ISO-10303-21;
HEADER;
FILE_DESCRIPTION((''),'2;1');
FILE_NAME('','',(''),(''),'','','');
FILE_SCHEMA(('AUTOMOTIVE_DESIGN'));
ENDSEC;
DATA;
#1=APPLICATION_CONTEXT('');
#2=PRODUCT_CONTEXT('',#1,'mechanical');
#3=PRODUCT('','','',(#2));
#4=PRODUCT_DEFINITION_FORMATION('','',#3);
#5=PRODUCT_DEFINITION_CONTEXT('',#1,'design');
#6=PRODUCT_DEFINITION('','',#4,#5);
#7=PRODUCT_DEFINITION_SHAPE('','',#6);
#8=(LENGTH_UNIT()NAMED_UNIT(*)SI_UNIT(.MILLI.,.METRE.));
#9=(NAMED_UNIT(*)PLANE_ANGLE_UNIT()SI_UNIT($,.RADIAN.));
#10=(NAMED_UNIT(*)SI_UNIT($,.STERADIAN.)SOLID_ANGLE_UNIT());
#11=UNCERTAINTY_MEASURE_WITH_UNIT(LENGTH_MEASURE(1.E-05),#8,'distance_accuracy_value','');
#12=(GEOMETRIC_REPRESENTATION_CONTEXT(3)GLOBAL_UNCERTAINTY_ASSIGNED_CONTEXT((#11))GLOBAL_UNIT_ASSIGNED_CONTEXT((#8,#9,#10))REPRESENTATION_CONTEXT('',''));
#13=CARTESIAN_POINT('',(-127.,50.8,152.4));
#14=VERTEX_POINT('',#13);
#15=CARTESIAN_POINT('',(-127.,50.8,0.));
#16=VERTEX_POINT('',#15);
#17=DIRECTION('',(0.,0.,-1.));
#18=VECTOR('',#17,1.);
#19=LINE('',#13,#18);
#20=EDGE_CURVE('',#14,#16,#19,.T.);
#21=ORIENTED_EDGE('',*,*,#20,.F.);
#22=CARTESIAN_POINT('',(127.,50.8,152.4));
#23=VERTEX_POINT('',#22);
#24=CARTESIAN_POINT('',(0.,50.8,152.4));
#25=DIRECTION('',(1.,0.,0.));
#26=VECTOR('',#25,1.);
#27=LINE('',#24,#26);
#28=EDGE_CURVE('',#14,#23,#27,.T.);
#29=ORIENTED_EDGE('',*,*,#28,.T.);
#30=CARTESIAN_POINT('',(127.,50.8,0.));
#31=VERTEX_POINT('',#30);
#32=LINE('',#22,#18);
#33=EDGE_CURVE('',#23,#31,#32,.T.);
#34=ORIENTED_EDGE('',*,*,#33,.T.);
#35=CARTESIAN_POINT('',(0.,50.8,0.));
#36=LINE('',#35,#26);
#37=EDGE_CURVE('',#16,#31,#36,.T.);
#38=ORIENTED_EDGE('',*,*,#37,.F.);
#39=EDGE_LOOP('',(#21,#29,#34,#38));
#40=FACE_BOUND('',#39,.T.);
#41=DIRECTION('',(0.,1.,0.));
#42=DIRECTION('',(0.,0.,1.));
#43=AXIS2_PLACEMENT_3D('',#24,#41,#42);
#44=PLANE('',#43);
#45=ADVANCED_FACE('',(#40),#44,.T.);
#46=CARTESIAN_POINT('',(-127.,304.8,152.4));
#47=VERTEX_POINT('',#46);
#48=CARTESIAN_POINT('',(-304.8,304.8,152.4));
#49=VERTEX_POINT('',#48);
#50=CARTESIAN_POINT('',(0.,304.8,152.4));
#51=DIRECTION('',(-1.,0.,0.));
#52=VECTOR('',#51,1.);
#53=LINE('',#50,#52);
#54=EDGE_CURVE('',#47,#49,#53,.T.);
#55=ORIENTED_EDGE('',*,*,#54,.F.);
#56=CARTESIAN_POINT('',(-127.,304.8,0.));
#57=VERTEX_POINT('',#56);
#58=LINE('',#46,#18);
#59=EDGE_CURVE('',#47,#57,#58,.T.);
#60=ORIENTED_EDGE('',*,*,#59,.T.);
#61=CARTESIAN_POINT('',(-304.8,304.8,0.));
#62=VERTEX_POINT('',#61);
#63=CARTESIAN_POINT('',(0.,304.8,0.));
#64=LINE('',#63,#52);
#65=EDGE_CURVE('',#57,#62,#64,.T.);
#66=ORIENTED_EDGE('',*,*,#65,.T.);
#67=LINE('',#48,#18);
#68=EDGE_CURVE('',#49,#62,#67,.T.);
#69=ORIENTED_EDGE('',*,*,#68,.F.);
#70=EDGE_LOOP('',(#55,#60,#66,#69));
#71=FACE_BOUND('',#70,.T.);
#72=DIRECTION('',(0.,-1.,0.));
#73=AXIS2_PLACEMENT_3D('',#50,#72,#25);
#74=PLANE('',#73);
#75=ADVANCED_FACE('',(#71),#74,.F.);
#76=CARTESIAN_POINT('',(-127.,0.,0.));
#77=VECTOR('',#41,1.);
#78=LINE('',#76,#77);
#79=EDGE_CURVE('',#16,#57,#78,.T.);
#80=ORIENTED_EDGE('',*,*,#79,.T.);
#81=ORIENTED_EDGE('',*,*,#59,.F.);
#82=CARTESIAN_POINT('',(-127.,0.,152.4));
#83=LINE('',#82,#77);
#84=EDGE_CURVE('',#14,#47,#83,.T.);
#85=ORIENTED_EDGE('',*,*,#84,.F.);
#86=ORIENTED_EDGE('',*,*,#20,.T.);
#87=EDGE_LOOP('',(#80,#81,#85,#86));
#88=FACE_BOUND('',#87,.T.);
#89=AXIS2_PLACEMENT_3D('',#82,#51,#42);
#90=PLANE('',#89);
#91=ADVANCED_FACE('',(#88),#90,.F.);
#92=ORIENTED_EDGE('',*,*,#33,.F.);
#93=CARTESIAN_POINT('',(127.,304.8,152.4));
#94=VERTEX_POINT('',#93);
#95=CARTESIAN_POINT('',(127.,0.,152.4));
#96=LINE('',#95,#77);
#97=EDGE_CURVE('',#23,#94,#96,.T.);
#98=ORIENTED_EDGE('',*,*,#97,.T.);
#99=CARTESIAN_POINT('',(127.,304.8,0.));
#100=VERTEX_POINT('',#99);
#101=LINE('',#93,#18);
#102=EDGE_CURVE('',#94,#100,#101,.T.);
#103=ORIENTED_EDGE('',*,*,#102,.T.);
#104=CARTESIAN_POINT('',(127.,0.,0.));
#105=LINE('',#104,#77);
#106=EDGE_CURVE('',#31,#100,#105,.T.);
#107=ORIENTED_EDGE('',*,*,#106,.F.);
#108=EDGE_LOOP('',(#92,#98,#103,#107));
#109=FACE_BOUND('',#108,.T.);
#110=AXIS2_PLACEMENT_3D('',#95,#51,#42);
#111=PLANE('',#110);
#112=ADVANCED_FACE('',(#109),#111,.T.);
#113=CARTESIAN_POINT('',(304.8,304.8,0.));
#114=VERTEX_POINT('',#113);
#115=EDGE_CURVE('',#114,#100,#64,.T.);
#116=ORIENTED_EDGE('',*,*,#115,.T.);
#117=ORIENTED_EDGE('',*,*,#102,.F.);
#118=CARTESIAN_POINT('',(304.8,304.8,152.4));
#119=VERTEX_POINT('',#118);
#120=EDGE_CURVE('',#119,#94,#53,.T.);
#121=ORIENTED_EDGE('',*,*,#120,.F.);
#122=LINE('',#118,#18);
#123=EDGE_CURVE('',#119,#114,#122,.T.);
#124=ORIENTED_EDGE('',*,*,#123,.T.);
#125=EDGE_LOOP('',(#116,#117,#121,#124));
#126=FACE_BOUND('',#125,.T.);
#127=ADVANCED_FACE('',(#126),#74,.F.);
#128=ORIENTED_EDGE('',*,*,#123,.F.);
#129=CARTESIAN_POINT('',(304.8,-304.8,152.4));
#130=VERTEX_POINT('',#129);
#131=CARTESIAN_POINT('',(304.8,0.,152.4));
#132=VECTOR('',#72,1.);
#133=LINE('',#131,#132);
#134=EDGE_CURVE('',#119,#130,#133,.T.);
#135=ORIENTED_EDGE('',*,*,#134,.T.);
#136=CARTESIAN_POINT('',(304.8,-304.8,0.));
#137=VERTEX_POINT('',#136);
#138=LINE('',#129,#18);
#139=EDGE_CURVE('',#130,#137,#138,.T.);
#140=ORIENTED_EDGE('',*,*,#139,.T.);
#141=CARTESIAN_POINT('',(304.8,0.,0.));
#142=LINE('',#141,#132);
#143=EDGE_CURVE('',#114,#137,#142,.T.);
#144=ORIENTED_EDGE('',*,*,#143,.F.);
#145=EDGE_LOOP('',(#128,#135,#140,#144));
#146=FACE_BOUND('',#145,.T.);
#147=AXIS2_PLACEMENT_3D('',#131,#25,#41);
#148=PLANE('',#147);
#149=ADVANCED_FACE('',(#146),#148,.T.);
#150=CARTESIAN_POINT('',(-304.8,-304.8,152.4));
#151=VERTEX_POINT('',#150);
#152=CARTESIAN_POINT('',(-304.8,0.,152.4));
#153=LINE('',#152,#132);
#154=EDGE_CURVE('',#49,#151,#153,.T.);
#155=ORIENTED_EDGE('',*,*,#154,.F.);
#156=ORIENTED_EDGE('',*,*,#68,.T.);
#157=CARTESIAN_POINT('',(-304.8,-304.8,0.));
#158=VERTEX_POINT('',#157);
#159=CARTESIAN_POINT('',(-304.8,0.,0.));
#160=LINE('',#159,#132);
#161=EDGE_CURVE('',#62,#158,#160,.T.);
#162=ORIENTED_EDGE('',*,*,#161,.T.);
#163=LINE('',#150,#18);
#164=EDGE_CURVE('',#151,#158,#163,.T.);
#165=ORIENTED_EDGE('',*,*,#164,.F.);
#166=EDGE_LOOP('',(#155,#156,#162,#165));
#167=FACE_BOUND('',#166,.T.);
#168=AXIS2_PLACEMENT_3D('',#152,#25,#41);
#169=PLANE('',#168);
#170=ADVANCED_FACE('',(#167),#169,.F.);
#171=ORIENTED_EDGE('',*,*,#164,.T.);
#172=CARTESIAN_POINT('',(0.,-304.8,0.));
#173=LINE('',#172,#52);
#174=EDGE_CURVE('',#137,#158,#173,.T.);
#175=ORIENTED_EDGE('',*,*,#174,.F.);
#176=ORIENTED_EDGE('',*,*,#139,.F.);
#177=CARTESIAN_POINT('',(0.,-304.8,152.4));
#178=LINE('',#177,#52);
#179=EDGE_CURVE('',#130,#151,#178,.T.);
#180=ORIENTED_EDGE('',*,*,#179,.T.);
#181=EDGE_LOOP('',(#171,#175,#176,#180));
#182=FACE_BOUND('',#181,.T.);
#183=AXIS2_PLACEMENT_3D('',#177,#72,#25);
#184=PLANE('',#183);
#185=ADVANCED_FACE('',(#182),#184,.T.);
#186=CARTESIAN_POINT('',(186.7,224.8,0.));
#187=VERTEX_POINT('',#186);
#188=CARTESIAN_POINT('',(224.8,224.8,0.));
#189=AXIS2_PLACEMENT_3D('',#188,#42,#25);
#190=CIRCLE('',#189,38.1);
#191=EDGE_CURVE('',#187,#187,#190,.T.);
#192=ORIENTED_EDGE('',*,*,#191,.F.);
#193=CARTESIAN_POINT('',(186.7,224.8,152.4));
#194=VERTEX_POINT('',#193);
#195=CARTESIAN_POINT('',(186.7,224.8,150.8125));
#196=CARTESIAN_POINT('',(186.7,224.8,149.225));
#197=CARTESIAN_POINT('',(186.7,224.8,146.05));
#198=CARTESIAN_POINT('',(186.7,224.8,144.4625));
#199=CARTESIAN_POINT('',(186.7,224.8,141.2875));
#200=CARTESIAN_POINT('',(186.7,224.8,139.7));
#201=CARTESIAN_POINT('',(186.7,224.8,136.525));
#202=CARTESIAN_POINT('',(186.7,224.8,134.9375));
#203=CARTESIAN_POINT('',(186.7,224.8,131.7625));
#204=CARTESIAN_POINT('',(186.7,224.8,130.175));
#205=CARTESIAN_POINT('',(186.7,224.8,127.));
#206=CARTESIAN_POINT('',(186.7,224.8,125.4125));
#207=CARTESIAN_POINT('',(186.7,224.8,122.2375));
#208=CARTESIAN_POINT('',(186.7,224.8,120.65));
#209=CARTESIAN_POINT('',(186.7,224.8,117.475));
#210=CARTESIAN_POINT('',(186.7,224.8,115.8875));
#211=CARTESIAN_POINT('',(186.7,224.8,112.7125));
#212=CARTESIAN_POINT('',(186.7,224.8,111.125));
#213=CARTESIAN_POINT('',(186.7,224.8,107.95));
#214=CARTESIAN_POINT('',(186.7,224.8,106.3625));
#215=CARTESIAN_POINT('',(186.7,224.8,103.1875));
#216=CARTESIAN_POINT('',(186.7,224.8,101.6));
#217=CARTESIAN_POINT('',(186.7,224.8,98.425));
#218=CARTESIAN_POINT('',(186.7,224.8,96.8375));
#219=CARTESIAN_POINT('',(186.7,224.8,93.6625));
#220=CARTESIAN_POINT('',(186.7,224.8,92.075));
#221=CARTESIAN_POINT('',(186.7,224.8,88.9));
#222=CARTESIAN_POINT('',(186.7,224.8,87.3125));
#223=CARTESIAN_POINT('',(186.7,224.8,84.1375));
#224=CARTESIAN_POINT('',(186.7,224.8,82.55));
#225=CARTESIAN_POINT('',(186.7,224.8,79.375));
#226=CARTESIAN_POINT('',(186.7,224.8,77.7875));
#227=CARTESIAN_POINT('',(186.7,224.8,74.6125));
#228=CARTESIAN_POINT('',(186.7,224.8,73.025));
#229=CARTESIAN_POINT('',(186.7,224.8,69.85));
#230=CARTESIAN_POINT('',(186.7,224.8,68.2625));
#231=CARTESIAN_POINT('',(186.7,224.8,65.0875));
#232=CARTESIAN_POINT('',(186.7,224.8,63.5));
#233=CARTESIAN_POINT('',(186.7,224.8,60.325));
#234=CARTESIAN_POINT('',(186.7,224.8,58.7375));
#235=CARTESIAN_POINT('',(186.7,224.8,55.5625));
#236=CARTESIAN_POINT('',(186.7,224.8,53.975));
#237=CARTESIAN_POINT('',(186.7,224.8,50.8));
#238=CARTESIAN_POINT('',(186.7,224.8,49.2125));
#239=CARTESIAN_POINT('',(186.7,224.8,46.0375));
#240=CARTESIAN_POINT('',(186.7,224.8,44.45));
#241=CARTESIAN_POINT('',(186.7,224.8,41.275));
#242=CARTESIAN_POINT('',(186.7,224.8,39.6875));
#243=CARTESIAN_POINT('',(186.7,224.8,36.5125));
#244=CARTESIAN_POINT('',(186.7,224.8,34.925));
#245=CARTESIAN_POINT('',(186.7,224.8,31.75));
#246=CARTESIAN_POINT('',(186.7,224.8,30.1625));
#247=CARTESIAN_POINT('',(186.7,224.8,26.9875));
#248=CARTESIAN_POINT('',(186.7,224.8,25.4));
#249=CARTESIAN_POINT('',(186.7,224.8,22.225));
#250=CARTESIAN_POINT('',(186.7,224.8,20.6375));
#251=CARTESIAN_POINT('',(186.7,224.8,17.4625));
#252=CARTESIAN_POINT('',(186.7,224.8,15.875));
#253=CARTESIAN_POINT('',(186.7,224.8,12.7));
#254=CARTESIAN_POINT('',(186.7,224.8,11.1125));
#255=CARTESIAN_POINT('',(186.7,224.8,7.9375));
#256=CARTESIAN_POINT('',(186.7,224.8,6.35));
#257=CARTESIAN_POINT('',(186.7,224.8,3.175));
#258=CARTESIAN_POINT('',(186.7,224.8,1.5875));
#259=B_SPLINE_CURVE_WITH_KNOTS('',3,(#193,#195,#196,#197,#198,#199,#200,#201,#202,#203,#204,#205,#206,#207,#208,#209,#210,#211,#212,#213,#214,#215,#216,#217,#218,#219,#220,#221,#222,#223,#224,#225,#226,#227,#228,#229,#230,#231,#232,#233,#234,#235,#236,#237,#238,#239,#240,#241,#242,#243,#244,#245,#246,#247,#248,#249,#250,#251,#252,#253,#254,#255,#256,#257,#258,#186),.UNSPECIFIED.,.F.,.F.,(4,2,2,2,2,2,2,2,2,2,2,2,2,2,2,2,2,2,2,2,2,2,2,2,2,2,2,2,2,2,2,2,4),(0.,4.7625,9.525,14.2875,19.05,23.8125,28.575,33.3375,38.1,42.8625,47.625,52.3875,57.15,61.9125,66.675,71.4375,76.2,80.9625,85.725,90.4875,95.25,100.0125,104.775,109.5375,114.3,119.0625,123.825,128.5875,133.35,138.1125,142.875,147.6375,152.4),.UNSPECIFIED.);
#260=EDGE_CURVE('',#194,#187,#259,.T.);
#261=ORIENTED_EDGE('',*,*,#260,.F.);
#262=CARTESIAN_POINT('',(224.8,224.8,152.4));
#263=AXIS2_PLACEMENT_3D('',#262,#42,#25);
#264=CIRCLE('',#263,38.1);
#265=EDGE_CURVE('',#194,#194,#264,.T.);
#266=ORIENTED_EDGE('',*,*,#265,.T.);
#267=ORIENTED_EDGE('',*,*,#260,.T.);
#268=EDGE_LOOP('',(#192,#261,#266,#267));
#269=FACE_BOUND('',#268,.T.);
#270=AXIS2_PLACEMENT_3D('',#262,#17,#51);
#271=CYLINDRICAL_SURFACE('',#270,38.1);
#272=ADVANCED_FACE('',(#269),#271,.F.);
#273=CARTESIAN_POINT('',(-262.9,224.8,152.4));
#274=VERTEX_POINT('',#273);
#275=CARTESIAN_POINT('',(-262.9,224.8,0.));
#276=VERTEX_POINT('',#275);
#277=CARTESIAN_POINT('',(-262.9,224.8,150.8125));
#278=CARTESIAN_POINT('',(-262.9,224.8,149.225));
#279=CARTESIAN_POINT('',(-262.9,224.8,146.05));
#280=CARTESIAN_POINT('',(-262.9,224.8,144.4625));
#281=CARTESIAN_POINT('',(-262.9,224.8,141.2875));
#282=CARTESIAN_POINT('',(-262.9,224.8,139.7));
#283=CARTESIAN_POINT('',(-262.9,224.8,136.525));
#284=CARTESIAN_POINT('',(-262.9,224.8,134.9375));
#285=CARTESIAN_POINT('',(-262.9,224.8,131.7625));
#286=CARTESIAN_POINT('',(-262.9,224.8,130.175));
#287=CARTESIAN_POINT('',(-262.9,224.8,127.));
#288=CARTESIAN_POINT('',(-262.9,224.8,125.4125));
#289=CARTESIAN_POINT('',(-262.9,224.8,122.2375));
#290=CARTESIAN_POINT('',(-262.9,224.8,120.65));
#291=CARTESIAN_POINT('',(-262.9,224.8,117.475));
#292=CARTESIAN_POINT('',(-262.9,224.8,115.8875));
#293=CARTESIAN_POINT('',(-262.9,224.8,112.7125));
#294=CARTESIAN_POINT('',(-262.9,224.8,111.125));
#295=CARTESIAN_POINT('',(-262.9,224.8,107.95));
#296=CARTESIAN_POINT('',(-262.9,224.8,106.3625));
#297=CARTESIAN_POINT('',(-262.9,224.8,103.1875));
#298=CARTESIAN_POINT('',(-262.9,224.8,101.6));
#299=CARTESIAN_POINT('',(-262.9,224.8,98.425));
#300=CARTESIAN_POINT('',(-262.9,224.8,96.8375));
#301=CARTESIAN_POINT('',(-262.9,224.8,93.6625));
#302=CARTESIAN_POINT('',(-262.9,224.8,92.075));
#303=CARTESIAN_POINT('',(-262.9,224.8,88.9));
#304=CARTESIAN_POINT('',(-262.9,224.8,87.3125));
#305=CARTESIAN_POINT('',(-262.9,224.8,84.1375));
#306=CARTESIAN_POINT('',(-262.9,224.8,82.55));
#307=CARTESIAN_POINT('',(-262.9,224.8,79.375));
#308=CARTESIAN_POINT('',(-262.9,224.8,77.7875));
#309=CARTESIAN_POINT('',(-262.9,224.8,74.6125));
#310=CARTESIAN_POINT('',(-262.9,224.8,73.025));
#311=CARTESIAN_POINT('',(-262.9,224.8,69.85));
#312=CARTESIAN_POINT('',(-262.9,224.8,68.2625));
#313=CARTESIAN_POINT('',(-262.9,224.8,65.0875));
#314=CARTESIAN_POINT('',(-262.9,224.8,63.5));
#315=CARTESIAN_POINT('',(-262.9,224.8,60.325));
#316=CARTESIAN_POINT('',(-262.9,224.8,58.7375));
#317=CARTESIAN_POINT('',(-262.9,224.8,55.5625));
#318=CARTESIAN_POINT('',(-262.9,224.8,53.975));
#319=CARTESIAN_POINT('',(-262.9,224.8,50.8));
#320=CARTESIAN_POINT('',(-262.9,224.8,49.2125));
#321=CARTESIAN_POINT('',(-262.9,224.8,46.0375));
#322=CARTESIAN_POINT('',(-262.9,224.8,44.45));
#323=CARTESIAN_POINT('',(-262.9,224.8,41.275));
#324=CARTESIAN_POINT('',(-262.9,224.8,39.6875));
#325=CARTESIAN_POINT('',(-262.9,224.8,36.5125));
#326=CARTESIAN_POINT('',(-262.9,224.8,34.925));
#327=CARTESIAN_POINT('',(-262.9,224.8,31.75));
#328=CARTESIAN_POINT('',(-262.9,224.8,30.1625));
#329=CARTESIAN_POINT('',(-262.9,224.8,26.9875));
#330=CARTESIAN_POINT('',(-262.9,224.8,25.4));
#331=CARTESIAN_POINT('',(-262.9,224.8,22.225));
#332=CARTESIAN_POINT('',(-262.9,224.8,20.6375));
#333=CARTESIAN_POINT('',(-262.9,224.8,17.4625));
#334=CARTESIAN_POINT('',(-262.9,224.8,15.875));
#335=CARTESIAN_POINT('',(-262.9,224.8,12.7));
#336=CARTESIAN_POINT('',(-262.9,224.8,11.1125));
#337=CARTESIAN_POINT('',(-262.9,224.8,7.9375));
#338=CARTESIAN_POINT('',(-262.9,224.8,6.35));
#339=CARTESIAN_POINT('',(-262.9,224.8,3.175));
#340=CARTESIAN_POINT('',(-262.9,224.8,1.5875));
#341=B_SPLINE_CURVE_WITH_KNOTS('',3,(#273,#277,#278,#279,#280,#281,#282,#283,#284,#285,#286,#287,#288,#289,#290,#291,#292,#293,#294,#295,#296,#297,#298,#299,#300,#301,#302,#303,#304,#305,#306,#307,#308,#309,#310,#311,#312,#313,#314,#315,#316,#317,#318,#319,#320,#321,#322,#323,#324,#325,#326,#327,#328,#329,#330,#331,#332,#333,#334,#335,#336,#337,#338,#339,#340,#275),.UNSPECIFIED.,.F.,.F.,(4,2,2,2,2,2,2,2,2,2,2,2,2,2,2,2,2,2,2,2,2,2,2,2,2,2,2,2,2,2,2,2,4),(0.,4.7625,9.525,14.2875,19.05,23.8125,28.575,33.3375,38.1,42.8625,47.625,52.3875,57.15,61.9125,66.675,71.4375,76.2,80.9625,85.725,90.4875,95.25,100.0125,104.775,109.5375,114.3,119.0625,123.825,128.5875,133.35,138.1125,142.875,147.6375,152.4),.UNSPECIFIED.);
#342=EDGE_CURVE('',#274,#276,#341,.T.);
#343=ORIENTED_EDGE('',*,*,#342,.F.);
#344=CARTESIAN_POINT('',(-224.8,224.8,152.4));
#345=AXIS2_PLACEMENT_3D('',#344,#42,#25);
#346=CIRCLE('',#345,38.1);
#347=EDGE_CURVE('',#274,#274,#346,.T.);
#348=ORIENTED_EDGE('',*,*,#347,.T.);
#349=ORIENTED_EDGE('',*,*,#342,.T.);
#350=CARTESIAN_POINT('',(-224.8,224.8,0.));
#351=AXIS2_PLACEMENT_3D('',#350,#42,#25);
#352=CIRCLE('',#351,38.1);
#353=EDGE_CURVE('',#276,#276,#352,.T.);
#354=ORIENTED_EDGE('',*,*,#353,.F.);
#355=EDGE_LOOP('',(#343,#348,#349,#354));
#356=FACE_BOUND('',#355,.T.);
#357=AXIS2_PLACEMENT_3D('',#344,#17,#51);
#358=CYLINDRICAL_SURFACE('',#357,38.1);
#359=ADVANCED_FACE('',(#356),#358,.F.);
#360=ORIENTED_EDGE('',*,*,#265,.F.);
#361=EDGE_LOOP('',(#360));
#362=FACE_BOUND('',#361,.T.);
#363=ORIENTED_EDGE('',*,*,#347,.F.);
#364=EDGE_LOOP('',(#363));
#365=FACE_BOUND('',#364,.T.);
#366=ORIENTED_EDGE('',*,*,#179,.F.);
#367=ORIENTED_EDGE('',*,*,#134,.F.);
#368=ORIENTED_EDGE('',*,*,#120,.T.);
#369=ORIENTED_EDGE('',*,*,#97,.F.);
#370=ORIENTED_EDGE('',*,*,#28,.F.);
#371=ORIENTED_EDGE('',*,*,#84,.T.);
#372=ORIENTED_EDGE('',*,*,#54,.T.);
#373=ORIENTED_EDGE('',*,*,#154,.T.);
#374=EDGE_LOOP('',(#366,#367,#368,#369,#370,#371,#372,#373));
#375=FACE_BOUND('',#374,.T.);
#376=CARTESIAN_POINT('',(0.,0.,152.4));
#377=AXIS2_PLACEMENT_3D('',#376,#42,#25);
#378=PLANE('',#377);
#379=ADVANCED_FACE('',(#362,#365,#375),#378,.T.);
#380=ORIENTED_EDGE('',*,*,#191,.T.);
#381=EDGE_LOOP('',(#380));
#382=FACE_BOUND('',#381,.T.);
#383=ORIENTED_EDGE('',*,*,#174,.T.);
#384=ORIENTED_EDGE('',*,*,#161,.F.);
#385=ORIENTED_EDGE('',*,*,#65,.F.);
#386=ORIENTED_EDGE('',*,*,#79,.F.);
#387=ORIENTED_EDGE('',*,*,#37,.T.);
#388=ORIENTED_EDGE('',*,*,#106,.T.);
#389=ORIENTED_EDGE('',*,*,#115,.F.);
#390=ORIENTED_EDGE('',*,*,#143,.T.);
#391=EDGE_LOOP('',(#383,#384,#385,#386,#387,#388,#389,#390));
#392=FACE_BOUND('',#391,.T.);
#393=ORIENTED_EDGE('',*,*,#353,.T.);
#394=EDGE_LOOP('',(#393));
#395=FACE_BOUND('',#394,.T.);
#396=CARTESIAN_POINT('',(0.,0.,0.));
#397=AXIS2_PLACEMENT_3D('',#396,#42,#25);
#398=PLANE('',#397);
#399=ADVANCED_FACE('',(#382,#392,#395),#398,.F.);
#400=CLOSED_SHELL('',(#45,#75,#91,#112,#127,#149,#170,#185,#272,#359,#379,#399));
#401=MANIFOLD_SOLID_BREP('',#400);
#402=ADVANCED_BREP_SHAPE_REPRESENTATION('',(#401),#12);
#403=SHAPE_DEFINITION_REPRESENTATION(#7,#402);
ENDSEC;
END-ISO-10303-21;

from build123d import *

# Parameters (mm, degrees)
SKETCH1_R           = 38.1
BOSS_EXTRUDE1_DEPTH = 152.4


with BuildPart() as part:
    # Sketch1 → Boss-Extrude1 (new body)
    with BuildSketch(Plane.XY):
        Polygon((304.8, -304.8), (304.8, 304.8), (127, 304.8), (127, 50.8), (-127, 50.8), (-127, 304.8), (-304.8, 304.8), (-304.8, -304.8), align=None)
        with Locations(Location((-224.8, 224.8, 0), (0, 0, 180))):
            Circle(SKETCH1_R, mode=Mode.SUBTRACT)
        with Locations(Location((224.8, 224.8, 0), (0, 0, 180))):
            Circle(SKETCH1_R, mode=Mode.SUBTRACT)
    extrude(amount=BOSS_EXTRUDE1_DEPTH)


solid = part.part
